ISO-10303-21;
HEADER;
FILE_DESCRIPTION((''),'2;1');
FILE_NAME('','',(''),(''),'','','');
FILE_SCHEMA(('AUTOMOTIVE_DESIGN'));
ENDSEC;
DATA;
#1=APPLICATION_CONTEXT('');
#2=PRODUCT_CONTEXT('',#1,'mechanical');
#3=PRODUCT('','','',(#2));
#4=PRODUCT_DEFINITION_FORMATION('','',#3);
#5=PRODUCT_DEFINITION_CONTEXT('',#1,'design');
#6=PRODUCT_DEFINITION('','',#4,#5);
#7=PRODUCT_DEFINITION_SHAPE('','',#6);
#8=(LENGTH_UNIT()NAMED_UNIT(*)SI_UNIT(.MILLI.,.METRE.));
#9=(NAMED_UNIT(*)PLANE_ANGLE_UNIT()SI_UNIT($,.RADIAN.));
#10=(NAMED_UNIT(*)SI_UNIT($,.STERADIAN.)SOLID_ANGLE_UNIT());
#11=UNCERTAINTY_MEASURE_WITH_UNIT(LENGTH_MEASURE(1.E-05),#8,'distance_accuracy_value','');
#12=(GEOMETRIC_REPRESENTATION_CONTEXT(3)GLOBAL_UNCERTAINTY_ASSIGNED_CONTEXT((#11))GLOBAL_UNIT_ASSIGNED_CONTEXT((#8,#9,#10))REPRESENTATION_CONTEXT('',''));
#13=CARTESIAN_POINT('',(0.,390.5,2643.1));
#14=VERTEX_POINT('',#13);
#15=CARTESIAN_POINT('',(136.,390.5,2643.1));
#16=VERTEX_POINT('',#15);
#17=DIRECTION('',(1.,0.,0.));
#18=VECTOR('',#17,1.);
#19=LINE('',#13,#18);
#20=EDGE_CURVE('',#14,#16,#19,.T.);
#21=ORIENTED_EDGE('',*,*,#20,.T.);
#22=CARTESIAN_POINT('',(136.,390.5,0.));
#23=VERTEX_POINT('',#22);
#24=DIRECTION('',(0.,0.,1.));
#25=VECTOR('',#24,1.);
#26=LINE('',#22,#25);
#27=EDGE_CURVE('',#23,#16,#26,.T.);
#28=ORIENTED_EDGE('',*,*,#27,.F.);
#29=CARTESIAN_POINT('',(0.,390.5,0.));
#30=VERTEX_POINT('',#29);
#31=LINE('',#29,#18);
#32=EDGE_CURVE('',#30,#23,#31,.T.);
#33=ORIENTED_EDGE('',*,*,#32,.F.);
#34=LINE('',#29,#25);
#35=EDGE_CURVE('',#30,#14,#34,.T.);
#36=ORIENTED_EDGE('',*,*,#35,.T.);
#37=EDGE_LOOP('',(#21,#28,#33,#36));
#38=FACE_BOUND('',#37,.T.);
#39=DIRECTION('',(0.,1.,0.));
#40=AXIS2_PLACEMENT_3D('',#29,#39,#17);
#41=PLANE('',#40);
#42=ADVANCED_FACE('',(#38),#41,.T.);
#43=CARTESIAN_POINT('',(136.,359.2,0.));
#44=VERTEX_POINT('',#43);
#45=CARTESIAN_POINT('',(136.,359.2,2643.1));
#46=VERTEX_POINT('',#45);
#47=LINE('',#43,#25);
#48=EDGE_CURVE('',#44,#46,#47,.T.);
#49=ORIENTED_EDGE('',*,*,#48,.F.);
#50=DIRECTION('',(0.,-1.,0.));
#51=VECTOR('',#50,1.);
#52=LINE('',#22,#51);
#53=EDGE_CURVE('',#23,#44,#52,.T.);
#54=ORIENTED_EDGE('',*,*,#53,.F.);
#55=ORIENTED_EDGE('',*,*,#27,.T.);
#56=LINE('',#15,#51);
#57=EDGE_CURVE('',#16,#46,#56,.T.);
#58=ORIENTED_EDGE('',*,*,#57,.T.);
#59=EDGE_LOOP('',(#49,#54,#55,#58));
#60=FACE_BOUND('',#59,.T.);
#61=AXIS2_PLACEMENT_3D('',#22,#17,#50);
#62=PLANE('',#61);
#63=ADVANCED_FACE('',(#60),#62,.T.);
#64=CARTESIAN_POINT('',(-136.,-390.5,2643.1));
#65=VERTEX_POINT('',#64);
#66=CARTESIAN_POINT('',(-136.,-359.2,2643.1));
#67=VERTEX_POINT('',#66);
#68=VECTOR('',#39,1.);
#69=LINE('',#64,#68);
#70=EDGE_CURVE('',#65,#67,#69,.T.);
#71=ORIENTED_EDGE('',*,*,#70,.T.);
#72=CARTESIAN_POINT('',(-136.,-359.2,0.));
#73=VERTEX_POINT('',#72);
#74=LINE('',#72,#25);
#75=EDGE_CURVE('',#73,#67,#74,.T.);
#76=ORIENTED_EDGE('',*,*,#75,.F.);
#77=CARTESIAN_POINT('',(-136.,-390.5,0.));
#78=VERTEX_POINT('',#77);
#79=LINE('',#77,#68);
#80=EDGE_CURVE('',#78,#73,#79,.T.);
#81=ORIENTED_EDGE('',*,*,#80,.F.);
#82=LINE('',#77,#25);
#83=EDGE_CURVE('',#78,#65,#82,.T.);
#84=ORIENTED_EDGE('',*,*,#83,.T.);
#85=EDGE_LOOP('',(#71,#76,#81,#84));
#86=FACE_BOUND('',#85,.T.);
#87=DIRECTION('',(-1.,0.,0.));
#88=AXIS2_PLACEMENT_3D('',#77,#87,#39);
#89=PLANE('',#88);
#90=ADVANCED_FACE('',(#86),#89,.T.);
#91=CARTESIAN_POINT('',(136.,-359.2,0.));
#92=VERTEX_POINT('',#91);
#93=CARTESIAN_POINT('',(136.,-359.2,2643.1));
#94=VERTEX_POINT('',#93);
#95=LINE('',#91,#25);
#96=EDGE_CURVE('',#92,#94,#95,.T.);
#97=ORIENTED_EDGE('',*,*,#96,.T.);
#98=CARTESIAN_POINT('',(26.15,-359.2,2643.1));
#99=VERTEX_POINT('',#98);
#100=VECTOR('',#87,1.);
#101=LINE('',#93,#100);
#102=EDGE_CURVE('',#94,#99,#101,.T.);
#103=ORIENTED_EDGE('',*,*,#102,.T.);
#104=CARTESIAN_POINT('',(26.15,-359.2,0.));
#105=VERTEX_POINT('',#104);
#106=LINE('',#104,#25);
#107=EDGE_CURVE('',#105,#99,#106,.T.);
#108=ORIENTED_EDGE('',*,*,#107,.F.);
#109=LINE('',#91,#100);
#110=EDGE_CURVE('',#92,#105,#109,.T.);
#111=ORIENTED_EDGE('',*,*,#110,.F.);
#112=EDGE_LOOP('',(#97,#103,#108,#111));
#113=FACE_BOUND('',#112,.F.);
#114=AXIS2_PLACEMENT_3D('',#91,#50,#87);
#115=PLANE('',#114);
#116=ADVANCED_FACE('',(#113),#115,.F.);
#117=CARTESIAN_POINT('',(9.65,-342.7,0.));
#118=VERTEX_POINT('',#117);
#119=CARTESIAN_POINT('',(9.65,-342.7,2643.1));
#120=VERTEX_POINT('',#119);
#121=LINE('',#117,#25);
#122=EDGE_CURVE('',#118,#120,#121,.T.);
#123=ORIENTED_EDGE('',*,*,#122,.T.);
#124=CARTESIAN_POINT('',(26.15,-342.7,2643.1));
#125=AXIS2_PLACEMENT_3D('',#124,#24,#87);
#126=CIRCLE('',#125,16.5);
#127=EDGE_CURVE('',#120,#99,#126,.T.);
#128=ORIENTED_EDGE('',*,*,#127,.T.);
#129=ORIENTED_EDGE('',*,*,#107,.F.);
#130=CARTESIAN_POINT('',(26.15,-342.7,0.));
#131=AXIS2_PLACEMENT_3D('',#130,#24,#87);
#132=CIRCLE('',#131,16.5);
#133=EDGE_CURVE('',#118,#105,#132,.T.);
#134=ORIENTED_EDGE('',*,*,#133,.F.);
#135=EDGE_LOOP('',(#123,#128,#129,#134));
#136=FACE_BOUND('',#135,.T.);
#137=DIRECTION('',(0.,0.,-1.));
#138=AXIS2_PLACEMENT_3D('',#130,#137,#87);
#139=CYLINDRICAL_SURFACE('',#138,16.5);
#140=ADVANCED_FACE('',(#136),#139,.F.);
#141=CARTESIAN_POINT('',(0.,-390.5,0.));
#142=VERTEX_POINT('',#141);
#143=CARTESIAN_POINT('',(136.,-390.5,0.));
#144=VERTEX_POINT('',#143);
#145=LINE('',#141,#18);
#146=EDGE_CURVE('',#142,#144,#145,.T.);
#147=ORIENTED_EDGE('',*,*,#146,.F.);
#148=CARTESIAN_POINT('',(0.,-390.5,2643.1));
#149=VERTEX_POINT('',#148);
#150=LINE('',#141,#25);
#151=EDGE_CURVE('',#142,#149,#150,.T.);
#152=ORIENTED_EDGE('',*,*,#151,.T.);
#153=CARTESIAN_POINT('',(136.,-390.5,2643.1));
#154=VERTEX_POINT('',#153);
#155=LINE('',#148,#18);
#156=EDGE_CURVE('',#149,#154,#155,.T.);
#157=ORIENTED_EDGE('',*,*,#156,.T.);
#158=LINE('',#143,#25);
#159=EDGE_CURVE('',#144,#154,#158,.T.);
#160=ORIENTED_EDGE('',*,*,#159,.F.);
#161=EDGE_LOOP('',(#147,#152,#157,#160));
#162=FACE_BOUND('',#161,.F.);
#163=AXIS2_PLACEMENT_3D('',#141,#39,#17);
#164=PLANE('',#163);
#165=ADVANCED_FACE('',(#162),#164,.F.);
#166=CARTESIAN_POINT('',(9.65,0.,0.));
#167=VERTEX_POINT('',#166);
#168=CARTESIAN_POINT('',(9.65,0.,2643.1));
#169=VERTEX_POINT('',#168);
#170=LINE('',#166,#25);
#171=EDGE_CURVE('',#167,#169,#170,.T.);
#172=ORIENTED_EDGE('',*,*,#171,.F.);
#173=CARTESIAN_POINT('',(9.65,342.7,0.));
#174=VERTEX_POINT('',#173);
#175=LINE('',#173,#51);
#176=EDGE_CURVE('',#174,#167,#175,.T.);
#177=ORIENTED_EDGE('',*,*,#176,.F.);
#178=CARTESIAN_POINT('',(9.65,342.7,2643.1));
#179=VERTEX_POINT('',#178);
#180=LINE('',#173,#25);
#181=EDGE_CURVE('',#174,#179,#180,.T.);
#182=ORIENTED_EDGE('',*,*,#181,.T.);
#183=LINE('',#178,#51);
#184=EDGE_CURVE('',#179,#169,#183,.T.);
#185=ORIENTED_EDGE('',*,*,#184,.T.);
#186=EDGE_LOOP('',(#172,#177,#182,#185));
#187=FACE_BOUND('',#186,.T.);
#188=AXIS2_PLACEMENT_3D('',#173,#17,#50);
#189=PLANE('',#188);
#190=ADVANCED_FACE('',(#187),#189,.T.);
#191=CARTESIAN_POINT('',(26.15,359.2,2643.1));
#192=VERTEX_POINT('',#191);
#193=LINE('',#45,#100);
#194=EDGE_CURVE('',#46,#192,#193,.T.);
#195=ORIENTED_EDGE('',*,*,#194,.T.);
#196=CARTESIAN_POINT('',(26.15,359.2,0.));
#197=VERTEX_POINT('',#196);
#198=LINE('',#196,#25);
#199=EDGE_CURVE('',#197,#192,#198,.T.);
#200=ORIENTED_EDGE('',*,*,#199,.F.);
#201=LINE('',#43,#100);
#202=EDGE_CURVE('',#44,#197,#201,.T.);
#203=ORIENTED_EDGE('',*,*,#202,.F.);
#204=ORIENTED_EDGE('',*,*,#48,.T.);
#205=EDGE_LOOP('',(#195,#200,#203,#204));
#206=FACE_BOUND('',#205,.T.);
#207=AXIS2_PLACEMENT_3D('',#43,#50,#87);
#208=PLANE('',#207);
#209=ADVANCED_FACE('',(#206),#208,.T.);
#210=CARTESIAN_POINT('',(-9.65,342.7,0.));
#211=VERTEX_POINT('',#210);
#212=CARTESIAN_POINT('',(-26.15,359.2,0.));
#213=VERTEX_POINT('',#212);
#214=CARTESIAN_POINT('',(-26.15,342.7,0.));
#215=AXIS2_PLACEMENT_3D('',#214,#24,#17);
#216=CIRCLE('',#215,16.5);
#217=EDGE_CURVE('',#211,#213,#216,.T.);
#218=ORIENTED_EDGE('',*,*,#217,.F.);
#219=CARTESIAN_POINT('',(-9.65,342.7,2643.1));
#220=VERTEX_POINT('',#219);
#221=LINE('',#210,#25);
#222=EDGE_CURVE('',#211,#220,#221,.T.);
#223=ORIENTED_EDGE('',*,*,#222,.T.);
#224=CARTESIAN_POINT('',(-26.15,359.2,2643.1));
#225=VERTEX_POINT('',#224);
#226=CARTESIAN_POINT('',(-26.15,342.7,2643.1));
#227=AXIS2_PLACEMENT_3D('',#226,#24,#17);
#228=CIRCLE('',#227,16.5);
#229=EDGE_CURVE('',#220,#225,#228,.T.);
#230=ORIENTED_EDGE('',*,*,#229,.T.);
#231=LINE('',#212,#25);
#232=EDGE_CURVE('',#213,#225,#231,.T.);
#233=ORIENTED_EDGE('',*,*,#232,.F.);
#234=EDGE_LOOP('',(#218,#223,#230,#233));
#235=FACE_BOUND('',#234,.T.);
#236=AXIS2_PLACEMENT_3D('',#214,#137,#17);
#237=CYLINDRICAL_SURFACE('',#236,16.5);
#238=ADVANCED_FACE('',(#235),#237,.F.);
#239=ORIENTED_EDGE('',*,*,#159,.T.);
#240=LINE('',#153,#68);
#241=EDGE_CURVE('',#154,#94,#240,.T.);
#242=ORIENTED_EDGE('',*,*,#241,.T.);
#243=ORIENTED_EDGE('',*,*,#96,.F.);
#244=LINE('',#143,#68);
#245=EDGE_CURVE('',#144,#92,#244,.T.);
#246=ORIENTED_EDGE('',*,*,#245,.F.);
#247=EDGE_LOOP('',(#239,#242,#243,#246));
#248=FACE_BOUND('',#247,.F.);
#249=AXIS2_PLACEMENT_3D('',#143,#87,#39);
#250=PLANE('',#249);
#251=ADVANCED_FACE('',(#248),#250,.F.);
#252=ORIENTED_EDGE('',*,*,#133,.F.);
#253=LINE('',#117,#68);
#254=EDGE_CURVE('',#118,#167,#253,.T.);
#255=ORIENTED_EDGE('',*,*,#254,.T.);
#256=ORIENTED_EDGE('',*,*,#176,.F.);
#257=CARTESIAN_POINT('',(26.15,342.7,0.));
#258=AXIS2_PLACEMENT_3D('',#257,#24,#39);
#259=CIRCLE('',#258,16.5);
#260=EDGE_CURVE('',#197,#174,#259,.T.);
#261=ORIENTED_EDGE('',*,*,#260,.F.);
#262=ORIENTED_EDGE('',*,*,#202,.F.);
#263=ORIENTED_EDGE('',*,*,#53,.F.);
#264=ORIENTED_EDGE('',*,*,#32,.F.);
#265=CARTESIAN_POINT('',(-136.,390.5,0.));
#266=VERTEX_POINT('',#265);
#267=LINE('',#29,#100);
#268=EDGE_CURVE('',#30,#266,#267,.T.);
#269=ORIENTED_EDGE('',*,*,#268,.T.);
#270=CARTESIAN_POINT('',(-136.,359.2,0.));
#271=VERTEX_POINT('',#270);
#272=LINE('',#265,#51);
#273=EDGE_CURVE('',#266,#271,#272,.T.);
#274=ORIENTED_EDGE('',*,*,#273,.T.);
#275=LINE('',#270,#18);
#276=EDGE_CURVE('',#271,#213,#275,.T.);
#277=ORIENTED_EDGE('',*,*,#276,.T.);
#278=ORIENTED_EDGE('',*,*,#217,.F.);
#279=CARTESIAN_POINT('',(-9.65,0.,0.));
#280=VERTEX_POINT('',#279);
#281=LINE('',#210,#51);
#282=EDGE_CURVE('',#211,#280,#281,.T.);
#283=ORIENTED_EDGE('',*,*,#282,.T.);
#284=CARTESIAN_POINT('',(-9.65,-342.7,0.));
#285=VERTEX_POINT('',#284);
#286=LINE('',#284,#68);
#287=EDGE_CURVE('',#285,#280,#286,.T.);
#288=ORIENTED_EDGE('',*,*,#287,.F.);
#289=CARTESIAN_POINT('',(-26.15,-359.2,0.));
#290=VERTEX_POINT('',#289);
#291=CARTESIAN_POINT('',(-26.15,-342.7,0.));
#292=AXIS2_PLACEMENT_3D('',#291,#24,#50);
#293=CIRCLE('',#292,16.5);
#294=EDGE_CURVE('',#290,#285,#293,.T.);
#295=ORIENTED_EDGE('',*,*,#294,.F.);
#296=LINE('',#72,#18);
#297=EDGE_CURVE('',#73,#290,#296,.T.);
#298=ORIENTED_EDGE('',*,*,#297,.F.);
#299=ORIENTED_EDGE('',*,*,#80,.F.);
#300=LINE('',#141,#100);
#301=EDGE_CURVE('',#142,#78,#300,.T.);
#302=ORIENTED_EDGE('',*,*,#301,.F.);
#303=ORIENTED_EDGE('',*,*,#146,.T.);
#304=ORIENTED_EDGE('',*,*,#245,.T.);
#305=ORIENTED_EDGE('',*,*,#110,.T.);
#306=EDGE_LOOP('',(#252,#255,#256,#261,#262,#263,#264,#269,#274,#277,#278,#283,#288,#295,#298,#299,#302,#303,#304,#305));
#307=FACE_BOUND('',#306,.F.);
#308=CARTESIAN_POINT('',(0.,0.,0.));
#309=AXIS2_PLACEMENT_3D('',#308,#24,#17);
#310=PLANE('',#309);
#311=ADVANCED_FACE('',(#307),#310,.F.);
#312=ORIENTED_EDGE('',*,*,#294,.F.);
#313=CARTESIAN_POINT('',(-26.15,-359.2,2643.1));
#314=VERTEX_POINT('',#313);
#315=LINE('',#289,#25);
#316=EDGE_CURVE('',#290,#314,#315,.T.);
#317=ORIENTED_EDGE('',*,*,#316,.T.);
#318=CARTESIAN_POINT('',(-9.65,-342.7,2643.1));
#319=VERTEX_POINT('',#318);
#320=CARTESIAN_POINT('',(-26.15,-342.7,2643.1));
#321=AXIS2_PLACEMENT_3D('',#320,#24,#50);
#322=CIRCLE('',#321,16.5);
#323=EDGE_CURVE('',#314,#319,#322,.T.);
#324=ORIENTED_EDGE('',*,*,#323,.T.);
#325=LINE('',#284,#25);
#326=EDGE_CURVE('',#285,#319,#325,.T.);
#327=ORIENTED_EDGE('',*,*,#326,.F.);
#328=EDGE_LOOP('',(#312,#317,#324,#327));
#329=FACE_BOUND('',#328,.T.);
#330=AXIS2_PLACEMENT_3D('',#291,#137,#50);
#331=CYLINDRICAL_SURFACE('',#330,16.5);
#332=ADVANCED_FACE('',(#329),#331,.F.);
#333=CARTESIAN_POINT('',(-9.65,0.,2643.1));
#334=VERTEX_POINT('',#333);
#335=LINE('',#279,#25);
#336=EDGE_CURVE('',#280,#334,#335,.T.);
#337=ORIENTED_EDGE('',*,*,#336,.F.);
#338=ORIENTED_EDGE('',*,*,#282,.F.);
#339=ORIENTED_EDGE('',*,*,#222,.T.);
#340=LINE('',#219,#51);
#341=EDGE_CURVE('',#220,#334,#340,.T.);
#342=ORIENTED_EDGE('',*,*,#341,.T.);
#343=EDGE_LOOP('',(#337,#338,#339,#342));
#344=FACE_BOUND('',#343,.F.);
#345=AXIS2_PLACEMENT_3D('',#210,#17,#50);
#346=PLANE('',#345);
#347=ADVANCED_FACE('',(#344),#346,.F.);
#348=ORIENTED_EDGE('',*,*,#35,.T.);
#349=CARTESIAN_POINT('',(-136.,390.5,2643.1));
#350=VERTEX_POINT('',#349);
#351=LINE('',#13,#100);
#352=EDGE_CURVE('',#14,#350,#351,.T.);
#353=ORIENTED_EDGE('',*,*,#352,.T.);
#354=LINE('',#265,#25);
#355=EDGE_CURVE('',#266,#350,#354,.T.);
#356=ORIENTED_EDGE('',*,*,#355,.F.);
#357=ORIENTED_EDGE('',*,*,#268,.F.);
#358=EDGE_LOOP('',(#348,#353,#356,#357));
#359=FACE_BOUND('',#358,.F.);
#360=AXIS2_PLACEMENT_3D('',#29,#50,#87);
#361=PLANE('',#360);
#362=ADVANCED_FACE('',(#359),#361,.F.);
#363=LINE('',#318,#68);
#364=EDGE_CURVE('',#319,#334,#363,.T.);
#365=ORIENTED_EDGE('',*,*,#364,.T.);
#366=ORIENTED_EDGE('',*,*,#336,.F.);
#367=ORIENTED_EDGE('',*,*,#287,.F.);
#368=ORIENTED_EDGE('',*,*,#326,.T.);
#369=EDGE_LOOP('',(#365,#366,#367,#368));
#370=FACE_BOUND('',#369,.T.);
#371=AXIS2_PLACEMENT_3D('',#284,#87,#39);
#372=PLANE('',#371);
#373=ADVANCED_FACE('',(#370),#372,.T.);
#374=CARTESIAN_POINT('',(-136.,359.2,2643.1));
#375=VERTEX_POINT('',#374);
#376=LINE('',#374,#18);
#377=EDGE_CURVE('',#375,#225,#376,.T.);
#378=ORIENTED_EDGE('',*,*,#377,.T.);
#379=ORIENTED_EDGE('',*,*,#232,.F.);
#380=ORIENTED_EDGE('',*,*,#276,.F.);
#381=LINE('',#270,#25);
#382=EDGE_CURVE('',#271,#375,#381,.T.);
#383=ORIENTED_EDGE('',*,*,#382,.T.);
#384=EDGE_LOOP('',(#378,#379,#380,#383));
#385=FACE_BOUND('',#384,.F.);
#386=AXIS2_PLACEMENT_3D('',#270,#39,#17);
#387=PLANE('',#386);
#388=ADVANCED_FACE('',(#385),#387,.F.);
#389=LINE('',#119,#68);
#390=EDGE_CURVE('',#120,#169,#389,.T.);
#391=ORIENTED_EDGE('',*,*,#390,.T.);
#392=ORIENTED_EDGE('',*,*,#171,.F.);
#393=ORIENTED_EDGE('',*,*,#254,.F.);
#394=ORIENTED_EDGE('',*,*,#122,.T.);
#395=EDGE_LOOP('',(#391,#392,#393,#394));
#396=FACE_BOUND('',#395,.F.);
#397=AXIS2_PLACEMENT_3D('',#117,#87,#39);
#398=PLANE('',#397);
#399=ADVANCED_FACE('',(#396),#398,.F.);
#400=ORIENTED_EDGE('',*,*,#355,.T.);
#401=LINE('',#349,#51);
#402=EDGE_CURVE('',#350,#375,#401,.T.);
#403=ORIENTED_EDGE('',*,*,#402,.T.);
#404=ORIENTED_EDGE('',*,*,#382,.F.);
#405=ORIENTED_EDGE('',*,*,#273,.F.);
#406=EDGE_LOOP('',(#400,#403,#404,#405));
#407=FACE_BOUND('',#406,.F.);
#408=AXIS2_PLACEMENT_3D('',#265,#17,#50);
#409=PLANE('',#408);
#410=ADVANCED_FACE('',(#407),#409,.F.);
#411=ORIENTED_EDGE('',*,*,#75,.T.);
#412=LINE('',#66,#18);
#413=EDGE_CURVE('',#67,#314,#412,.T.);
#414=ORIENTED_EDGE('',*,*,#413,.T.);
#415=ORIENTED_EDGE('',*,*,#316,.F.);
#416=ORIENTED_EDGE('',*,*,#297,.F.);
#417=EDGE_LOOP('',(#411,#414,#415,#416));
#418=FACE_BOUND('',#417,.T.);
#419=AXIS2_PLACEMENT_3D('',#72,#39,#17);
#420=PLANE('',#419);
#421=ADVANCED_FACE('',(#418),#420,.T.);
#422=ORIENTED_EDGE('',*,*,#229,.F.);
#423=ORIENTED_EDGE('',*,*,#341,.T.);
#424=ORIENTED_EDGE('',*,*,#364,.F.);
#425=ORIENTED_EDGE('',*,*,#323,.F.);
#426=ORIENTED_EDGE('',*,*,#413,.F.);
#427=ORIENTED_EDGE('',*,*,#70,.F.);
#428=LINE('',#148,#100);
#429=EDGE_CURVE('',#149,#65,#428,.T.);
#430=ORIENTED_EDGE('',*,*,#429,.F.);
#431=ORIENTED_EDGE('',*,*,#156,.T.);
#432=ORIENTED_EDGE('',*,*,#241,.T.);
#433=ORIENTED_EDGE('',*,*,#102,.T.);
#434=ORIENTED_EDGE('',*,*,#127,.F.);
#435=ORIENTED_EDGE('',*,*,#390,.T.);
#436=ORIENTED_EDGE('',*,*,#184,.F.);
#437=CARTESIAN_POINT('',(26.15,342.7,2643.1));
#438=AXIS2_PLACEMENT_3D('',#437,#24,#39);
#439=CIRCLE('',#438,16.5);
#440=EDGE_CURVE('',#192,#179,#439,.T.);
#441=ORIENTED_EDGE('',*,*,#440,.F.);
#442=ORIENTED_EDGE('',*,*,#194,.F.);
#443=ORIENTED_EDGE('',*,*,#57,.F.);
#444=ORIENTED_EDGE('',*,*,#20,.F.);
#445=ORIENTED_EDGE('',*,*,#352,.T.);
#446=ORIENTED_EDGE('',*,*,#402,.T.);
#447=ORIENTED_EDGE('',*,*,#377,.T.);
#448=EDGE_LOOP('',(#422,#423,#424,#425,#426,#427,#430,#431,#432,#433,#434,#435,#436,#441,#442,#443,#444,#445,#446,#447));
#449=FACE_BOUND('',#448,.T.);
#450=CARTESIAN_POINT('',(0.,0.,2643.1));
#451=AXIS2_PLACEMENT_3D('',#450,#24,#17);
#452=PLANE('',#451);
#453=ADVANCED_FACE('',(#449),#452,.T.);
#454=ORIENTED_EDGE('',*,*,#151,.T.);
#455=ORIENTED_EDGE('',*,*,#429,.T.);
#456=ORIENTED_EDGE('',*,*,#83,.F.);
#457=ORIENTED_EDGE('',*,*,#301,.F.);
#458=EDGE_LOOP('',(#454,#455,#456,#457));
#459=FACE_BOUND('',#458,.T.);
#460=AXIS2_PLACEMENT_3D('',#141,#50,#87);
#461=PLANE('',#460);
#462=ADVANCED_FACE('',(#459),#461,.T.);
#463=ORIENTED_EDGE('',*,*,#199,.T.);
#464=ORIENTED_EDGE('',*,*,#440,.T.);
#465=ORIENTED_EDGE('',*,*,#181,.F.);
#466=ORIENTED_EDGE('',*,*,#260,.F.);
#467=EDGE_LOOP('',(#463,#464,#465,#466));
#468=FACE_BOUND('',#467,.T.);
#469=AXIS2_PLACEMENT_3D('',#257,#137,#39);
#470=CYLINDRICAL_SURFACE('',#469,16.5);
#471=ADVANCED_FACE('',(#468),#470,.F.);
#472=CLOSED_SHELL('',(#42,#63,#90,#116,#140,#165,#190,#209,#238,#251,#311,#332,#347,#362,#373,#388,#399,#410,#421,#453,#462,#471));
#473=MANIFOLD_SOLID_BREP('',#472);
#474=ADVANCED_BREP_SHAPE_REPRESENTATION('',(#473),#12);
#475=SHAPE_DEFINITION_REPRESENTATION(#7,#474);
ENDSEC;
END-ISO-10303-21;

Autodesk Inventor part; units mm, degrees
ref_plane "YZ Plane" through (0, 0, 0) normal (1, 0, 0) x (0, 1, 0)
ref_plane "Start plane" through (0, 0, 0) normal (0, 0, 1) x (1, 0, 0)
ref_plane "End plane" through (0, 0, 2643.1) normal (0, 0, 1) x (1, 0, 0)
sketch "Sketch" plane through (0, 0, 0) normal (0, 0, 1) x (1, 0, 0)
  line L0 (-136, -390.5) -> (-136, -359.2)
  line L1 (-136, -359.2) -> (-26.15, -359.2)
  line L2 (-9.65, -342.7) -> (-9.65, 0)
  line L3 (-9.65, 0) -> (0, 0) construction
  line L4 (0, 0) -> (0, -390.5) construction
  line L5 (0, -390.5) -> (-136, -390.5)
  line L6 (-60, 0) -> (80, 0) construction
  line L7 (0, -60) -> (0, 80) construction
  line L8 (136, -390.5) -> (136, -359.2)
  line L9 (136, -359.2) -> (26.15, -359.2)
  line L10 (9.65, -342.7) -> (9.65, 0)
  line L11 (9.65, 0) -> (0, 0) construction
  line L12 (0, -390.5) -> (136, -390.5)
  line L13 (-136, 390.5) -> (-136, 359.2)
  line L14 (-136, 359.2) -> (-26.15, 359.2)
  line L15 (-9.65, 342.7) -> (-9.65, 0)
  line L16 (0, 390.5) -> (-136, 390.5)
  line L17 (136, 390.5) -> (136, 359.2)
  line L18 (136, 359.2) -> (26.15, 359.2)
  line L19 (0, 390.5) -> (136, 390.5)
  line L20 (9.65, 342.7) -> (9.65, 0)
  arc A0 (-9.65, 342.7) -> (-26.15, 359.2) centre (-26.15, 342.7) ccw
  arc A1 (26.15, 359.2) -> (9.65, 342.7) centre (26.15, 342.7) ccw
  arc A2 (9.65, -342.7) -> (26.15, -359.2) centre (26.15, -342.7) ccw
  arc A3 (-26.15, -359.2) -> (-9.65, -342.7) centre (-26.15, -342.7) ccw
  line L21 (0, 108) -> (0, -88) construction
  line L22 (-88, 0) -> (108, 0) construction
  point P0 (-9.65, -359.2)
  point P1 (9.65, -359.2)
  point P2 (-9.65, 359.2)
  point P3 (9.65, 359.2)
  dimension "d1" = 390.5
  dimension "d2" = 31.3
  dimension "d3" = 136
  dimension "d4" = 9.65
  dimension "d10" = 16.5
extrude "Body" add sketch "Sketch" along normal up to surface (2643.1 mm away) from surface at 0
sketch "Sketch4" plane through (0, 0, 0) normal (0, 0, 1) x (1, 0, 0)
  line L0 (0, 0) -> (10, 0)
ref_plane "Work Plane3" through (0, 0, 0) normal (0, -1, 0) x (1, 0, 0)
sketch "Sketch5" plane through (0, 0, 0) normal (0, -1, 0) x (1, 0, 0)
  line L0 (-2, 0) -> (12, 0) projected
  line L1 (-2, 2643.1) -> (12, 2643.1) projected
  dimension "d14" = 2643.1
equation "\"d1\" = 0.5 * G_H"
equation "\"d2\" = G_T1"
equation "\"d3\" = 0.5 * G_W"
equation "\"d4\" = 0.5 * G_T"
equation "\"d10\" = G_IR"
equation "\"d5\" = G_L"
equation "\"G_W\" = 272"
equation "\"G_H\" = 781"
equation "\"G_T\" = 19.3"
equation "\"G_T1\" = 31.3"
equation "\"G_IR\" = 16.5"
equation "\"G_L\" = d14"
equation "\"G_OFFSET_START\" = 0"
equation "\"G_OFFSET_END\" = 0"
equation "\"d12\" = G_OFFSET_END + B_L"
equation "\"B_L\" = 2643.1"
properties part number "AS 3679-1990 - 760 UB - 244 - 2643.1" material "Steel, Mild"
